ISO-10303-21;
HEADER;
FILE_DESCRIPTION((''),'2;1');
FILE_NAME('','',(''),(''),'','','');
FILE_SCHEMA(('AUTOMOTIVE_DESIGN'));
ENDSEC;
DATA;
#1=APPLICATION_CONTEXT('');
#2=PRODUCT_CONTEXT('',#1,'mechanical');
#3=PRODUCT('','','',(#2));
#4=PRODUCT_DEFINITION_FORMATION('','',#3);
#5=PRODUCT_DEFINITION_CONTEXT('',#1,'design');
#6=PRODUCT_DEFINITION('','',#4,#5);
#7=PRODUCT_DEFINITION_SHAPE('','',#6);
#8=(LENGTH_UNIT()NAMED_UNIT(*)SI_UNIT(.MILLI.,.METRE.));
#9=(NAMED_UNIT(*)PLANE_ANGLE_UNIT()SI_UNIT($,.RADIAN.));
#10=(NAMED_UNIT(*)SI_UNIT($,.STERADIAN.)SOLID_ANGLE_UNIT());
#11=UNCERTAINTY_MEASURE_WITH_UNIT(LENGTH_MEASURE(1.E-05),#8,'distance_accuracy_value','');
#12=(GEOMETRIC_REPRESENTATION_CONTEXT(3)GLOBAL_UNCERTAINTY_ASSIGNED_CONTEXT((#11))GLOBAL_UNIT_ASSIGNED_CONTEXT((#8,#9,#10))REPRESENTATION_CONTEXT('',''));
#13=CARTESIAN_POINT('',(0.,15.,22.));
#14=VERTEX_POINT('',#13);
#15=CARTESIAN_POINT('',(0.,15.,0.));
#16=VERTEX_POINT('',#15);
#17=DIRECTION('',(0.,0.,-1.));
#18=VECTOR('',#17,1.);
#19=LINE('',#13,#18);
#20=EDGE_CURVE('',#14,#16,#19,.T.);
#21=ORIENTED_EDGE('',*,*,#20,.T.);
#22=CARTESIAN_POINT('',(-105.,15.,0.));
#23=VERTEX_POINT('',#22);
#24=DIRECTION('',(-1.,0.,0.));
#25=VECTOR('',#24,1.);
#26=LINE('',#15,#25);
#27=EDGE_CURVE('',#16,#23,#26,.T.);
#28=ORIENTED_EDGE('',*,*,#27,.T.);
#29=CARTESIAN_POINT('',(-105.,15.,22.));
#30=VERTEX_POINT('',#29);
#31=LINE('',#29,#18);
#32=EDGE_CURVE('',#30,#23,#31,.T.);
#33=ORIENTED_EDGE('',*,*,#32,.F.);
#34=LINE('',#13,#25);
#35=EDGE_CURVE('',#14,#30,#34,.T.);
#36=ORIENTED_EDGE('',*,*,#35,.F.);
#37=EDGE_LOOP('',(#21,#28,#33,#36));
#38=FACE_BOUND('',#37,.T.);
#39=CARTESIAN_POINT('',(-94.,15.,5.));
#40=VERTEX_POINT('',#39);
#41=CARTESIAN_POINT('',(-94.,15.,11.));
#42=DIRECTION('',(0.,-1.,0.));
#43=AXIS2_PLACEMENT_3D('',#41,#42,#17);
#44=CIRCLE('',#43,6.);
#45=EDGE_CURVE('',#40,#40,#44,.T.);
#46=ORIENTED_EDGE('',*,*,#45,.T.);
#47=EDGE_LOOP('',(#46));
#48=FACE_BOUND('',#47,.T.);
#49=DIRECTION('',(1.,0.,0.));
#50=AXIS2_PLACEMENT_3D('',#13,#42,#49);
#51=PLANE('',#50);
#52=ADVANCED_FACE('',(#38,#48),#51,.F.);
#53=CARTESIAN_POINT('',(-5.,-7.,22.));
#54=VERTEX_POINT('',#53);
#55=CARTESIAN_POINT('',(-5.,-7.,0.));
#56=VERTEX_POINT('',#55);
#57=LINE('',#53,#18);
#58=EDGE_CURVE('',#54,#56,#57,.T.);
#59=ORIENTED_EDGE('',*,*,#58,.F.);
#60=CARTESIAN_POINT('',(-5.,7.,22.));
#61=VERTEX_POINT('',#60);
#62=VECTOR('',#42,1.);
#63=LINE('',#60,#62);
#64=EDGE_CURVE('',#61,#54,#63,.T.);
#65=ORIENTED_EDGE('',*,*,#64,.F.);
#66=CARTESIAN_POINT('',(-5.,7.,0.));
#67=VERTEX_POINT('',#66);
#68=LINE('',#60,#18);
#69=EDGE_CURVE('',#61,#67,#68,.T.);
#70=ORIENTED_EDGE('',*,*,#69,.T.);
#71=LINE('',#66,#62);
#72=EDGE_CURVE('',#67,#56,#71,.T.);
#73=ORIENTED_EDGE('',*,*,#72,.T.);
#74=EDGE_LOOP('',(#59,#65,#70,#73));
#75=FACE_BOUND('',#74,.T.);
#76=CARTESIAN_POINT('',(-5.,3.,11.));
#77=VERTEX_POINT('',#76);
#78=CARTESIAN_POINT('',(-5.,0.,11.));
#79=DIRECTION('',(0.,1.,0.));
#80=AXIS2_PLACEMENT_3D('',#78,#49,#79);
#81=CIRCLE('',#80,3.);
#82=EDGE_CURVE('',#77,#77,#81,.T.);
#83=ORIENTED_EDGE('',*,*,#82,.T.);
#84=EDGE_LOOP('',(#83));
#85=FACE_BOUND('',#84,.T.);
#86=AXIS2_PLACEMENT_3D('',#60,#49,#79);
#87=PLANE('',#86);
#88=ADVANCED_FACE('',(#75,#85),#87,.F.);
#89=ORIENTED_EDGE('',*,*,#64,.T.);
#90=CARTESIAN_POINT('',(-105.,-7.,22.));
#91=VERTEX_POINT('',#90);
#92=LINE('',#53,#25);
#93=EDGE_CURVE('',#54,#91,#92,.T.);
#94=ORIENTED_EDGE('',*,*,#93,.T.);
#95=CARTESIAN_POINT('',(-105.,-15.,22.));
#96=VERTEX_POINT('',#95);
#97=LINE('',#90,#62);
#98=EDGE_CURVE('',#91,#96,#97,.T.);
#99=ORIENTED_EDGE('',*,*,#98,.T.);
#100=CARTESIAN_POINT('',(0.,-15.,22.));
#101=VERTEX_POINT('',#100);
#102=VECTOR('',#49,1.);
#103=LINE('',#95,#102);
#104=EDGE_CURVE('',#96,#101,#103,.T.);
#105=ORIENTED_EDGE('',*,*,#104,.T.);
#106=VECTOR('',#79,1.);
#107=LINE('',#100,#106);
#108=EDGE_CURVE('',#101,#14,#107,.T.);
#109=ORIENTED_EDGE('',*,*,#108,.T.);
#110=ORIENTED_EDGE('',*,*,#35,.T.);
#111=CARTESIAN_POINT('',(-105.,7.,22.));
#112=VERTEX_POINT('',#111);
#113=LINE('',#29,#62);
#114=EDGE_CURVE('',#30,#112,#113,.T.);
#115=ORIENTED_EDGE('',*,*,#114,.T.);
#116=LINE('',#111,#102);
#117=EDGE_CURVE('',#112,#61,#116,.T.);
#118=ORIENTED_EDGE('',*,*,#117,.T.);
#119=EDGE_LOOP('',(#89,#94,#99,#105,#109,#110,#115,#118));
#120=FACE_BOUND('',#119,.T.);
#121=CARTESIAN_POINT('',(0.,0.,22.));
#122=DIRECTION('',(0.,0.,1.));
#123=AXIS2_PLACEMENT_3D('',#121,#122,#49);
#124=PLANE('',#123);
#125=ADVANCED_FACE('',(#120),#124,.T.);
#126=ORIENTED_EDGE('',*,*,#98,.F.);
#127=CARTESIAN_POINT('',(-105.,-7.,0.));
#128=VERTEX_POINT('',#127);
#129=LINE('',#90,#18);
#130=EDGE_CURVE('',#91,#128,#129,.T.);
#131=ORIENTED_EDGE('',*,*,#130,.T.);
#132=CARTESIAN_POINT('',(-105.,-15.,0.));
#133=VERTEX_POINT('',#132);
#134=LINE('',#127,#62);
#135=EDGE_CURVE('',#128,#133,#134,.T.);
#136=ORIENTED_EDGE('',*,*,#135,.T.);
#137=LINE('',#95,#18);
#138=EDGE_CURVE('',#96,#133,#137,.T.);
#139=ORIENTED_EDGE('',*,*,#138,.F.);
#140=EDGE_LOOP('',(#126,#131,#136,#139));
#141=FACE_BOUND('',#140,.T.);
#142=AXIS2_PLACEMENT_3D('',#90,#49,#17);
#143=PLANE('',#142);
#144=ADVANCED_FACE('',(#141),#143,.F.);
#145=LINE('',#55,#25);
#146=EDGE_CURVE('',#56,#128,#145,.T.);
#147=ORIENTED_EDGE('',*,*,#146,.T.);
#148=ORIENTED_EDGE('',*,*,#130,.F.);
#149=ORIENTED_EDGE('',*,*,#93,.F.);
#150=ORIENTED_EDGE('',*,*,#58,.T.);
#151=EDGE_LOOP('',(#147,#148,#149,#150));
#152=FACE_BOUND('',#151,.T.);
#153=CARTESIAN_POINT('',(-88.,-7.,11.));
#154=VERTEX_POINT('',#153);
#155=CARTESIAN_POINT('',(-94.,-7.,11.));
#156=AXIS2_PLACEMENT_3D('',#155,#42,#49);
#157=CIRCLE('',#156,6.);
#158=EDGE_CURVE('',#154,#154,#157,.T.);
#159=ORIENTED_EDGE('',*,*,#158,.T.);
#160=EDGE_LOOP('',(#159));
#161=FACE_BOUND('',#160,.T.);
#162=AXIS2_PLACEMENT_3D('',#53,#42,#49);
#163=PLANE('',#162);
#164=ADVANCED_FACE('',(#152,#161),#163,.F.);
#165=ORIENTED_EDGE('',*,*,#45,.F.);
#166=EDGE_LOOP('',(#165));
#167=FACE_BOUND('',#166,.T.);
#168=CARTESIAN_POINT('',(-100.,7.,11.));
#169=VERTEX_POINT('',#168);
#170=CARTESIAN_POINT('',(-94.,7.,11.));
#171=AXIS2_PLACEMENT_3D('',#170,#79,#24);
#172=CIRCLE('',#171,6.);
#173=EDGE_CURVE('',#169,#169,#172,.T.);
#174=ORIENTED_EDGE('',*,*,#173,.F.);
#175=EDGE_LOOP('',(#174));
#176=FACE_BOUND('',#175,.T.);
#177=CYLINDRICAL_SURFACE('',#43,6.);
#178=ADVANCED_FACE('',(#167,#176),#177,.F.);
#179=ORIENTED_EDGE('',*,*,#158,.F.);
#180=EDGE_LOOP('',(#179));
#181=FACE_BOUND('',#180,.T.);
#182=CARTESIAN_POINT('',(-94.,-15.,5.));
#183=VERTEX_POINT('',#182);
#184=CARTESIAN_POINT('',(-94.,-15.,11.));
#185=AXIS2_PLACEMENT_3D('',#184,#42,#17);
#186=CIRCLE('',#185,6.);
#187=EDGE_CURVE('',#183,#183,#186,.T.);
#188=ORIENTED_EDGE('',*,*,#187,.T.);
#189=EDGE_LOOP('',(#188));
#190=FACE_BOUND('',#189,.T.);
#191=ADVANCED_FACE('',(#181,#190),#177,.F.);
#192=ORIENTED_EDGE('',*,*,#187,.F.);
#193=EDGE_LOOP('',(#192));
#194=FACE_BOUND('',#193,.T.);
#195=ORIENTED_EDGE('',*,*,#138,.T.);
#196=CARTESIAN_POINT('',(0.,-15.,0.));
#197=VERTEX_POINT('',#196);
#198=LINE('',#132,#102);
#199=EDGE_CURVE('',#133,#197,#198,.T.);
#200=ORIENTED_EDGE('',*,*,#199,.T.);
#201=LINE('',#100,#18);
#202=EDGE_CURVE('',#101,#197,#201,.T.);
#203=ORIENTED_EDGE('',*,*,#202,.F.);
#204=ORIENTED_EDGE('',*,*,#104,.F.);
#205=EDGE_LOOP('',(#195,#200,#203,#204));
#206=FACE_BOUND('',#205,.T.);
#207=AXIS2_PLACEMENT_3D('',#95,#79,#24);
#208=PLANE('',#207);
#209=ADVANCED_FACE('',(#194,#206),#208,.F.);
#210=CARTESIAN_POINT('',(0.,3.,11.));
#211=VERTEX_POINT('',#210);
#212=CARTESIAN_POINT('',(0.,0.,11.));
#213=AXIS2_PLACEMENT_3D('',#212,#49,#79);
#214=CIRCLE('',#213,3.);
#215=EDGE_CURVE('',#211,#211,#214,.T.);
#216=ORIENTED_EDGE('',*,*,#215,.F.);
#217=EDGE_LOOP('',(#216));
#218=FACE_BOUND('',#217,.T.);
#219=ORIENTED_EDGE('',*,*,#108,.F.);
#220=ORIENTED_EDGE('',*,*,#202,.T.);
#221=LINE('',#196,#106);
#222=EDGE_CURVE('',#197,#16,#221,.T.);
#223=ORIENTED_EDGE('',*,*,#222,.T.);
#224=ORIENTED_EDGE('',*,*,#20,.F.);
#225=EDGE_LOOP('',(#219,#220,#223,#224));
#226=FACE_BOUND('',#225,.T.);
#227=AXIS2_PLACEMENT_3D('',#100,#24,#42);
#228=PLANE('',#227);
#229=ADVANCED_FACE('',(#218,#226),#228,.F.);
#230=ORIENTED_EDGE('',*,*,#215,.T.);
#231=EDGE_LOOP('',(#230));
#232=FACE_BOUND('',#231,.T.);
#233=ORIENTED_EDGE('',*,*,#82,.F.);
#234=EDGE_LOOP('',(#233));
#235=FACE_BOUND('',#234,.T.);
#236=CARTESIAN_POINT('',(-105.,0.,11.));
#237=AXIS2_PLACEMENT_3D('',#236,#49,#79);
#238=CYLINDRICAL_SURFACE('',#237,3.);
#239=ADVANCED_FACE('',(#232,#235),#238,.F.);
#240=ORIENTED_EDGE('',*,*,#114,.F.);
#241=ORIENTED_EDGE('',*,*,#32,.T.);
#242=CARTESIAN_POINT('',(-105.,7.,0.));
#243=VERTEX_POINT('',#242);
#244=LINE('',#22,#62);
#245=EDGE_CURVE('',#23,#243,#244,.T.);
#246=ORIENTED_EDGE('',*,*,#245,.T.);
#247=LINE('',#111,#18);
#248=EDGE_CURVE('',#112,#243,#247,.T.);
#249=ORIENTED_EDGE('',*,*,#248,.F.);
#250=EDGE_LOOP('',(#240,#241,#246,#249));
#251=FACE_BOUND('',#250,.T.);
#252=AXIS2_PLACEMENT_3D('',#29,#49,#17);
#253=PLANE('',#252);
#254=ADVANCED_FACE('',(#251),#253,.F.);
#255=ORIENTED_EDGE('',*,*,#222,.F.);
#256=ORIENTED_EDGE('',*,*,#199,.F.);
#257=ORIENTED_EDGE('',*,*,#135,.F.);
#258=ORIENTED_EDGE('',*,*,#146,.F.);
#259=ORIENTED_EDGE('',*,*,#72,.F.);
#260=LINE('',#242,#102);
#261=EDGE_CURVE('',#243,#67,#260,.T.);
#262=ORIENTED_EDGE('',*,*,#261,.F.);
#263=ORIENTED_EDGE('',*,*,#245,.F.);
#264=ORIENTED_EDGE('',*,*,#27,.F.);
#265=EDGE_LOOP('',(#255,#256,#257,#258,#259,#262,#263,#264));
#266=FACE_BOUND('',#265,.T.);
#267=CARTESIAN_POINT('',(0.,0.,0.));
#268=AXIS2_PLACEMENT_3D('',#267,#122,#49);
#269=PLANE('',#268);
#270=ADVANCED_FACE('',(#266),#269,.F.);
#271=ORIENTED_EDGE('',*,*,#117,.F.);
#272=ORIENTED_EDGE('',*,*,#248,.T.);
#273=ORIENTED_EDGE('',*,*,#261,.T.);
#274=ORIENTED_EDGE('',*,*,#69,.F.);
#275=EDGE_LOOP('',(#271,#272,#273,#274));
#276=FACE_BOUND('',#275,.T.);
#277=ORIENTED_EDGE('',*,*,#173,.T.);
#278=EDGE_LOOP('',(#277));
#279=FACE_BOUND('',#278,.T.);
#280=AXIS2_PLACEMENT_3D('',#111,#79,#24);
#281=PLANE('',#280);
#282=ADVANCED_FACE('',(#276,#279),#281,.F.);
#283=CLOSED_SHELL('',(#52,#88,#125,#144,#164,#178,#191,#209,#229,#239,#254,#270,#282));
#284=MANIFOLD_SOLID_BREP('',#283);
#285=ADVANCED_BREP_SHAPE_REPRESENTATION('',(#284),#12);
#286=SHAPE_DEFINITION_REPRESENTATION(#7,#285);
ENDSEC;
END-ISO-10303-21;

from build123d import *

# Parameters (mm, degrees)
EXTRUDE_1_DEPTH     = 22
SKETCH_2_R          = 6
CUT_EXTRUDE_1_DEPTH = 112.39569112
SKETCH_3_R          = 3
CUT_EXTRUDE_2_DEPTH = 109.323589305


with BuildPart() as part:
    # ｽｹｯﾁ1 → ﾎﾞｽ - 押し出し1 (new body)
    with BuildSketch(Plane.XY):
        Polygon((-105, 15), (-105, 7), (-5, 7), (-5, -7), (-105, -7), (-105, -15), (0, -15), (0, 15), align=None)
    extrude(amount=EXTRUDE_1_DEPTH)

    # ｽｹｯﾁ2 → ｶｯﾄ - 押し出し1 (cut, through all)
    with BuildSketch(Plane.XZ.offset(15)):
        with Locations(Location((-94, 11, 0), (0, 0, 270))):
            Circle(SKETCH_2_R)
    extrude(amount=-CUT_EXTRUDE_1_DEPTH, mode=Mode.SUBTRACT)

    # ｽｹｯﾁ3 → ｶｯﾄ - 押し出し2 (cut, through all)
    with BuildSketch(Plane(origin=(0, 0, 0), x_dir=(0, 0, -1), z_dir=(1, 0, 0))):
        with Locations(Location((-11, 0, 0), (0, 0, 90))):
            Circle(SKETCH_3_R)
    extrude(amount=-CUT_EXTRUDE_2_DEPTH, mode=Mode.SUBTRACT)


solid = part.part
